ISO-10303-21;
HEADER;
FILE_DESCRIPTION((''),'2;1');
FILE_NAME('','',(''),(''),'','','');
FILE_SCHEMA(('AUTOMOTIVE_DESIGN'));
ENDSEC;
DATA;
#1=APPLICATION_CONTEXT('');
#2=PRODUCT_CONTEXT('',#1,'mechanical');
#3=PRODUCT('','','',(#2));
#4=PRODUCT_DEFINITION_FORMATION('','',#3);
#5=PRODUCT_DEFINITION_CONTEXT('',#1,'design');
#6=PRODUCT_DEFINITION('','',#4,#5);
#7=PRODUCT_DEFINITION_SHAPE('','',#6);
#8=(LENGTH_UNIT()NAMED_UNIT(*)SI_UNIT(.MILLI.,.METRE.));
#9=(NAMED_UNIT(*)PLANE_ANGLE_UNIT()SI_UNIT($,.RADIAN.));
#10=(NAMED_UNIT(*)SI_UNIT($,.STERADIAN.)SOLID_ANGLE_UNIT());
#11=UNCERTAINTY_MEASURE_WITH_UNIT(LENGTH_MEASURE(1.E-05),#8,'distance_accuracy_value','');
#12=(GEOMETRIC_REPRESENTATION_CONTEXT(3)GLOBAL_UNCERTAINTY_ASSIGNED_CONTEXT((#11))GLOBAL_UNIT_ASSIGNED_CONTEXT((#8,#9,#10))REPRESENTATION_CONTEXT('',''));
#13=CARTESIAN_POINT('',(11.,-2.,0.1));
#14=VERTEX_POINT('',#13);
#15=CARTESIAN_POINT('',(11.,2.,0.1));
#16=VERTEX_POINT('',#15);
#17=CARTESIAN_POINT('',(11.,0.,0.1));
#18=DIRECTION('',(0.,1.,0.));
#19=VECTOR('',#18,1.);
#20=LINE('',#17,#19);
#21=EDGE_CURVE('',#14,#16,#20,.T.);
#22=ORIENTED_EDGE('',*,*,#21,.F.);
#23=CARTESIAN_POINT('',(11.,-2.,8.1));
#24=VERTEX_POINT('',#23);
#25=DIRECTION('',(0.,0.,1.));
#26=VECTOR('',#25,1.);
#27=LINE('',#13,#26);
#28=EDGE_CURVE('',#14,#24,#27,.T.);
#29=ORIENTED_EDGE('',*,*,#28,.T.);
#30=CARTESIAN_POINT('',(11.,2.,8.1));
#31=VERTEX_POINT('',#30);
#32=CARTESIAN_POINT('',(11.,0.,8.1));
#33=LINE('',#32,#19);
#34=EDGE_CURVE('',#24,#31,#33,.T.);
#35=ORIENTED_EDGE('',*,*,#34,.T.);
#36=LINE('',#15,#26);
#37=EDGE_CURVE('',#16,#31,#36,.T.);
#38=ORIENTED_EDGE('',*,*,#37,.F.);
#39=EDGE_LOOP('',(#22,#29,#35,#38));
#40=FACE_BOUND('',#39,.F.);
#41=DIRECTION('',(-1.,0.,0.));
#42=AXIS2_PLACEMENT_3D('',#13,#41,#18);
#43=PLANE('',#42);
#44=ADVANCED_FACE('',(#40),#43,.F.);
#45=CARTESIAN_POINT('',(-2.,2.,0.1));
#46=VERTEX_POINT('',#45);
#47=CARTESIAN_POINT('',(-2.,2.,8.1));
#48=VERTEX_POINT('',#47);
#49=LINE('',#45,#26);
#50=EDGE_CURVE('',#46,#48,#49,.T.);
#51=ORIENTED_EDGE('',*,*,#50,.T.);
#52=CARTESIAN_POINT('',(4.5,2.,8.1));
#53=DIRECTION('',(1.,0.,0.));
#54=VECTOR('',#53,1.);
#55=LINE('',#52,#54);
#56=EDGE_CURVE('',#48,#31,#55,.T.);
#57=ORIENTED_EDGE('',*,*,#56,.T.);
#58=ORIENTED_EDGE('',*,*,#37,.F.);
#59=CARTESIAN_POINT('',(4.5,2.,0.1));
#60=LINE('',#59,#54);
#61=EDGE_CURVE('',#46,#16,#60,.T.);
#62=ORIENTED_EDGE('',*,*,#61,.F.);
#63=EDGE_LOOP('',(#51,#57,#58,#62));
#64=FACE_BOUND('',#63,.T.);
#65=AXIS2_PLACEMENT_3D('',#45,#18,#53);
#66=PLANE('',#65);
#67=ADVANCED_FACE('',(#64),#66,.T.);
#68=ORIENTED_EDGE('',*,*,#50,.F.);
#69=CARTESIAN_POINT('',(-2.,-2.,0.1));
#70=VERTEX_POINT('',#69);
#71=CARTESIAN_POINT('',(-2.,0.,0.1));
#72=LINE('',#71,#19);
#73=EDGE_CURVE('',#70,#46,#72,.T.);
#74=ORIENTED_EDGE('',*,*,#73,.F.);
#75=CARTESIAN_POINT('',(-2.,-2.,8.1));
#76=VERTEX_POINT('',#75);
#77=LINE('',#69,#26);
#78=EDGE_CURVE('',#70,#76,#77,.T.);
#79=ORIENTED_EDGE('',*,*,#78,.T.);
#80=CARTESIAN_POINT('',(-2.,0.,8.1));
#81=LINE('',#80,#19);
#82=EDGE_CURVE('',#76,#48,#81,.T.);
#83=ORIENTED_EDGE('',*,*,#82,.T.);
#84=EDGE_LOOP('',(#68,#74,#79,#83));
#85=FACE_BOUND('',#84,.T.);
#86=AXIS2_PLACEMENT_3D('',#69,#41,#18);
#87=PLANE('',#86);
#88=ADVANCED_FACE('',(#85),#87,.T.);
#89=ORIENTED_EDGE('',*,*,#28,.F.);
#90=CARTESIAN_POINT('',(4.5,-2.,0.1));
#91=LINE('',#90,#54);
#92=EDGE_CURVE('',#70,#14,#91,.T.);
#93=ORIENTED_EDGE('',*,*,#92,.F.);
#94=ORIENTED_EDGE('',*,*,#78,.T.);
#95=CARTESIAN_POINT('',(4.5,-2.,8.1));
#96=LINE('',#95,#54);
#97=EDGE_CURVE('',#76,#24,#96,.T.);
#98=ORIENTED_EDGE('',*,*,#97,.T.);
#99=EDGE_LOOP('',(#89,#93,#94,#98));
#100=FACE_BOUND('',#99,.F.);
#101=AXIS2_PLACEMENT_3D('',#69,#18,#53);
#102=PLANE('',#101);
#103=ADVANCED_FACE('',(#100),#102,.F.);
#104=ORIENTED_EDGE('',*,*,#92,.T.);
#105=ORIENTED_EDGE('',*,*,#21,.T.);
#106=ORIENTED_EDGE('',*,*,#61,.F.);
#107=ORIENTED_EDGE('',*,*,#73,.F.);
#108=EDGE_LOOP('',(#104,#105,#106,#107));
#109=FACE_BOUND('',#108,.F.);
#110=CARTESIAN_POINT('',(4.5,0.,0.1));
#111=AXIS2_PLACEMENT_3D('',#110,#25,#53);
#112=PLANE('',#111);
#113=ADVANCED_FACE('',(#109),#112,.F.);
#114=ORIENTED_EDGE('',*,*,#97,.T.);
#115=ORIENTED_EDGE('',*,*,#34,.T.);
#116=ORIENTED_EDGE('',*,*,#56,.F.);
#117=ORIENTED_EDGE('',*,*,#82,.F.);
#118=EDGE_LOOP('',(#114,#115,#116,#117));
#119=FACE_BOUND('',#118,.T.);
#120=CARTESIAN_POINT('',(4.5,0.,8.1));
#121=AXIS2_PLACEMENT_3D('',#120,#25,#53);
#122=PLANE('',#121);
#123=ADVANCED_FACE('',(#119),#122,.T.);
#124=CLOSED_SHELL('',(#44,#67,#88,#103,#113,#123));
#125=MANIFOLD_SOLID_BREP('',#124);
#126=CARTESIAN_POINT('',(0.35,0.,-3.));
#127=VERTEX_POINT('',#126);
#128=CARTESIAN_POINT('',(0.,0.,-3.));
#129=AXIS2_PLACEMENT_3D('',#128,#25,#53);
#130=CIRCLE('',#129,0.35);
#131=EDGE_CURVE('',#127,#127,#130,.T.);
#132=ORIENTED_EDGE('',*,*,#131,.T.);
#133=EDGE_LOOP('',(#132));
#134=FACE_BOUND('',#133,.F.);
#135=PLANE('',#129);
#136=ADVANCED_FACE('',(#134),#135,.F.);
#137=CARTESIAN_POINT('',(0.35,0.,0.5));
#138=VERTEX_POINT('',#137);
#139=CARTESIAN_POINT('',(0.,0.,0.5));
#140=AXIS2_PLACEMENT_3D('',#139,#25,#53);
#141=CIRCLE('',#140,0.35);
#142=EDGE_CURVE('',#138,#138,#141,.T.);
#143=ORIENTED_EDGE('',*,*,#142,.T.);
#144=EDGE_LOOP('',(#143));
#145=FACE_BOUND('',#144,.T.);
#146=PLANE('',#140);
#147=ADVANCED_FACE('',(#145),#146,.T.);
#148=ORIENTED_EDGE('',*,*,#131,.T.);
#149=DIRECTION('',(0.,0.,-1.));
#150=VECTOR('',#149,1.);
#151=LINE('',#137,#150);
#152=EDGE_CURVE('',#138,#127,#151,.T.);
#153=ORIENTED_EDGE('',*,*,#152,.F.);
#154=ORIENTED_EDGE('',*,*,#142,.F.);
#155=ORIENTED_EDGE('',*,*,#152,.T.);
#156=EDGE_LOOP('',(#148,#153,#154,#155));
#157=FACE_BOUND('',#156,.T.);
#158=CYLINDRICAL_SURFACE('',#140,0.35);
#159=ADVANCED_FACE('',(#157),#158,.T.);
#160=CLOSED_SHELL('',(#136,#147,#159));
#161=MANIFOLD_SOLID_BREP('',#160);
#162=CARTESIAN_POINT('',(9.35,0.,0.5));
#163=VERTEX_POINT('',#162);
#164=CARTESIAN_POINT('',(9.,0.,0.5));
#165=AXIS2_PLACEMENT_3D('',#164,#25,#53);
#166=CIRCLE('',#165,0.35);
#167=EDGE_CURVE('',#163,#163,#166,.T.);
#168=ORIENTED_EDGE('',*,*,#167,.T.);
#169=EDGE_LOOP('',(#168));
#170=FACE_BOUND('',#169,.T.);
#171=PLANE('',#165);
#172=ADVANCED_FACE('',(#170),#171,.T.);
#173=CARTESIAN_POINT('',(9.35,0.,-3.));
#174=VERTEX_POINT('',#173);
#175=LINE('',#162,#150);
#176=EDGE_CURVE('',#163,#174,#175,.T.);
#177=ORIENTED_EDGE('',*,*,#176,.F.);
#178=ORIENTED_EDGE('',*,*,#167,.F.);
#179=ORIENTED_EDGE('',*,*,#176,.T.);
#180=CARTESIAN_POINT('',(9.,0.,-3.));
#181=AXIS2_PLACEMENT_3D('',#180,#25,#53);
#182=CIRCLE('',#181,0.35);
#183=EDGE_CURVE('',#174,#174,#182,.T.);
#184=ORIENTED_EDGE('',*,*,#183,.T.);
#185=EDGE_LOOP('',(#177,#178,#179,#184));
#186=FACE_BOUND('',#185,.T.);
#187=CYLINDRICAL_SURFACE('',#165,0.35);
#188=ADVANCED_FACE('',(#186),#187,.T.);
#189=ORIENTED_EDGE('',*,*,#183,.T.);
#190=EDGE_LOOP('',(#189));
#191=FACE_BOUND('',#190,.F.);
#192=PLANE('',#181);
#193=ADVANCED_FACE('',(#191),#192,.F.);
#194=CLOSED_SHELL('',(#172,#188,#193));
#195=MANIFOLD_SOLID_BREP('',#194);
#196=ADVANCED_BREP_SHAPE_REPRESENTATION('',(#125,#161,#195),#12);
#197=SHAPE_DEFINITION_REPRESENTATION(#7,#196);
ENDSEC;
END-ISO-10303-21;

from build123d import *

# Parameters (mm, degrees)
SKETCH_W     = 13
SKETCH_H     = 4
PAD_DEPTH    = 8
SKETCH001_R  = 0.35
PAD001_DEPTH = 3.5


with BuildPart() as pad:
    # Sketch → Pad (new body)
    with BuildSketch(Plane.XY.offset(0.1)):
        with Locations((4.5, 0)):
            Rectangle(SKETCH_W, SKETCH_H)
    extrude(amount=PAD_DEPTH)


with BuildPart() as pad001:
    # Sketch001 → Pad001 (new body)
    with BuildSketch(Plane.XY.offset(0.5)):
        Circle(SKETCH001_R)
        with Locations((9, 0)):
            Circle(SKETCH001_R)
    extrude(amount=-PAD001_DEPTH)


solid = Compound([pad.part, pad001.part])
